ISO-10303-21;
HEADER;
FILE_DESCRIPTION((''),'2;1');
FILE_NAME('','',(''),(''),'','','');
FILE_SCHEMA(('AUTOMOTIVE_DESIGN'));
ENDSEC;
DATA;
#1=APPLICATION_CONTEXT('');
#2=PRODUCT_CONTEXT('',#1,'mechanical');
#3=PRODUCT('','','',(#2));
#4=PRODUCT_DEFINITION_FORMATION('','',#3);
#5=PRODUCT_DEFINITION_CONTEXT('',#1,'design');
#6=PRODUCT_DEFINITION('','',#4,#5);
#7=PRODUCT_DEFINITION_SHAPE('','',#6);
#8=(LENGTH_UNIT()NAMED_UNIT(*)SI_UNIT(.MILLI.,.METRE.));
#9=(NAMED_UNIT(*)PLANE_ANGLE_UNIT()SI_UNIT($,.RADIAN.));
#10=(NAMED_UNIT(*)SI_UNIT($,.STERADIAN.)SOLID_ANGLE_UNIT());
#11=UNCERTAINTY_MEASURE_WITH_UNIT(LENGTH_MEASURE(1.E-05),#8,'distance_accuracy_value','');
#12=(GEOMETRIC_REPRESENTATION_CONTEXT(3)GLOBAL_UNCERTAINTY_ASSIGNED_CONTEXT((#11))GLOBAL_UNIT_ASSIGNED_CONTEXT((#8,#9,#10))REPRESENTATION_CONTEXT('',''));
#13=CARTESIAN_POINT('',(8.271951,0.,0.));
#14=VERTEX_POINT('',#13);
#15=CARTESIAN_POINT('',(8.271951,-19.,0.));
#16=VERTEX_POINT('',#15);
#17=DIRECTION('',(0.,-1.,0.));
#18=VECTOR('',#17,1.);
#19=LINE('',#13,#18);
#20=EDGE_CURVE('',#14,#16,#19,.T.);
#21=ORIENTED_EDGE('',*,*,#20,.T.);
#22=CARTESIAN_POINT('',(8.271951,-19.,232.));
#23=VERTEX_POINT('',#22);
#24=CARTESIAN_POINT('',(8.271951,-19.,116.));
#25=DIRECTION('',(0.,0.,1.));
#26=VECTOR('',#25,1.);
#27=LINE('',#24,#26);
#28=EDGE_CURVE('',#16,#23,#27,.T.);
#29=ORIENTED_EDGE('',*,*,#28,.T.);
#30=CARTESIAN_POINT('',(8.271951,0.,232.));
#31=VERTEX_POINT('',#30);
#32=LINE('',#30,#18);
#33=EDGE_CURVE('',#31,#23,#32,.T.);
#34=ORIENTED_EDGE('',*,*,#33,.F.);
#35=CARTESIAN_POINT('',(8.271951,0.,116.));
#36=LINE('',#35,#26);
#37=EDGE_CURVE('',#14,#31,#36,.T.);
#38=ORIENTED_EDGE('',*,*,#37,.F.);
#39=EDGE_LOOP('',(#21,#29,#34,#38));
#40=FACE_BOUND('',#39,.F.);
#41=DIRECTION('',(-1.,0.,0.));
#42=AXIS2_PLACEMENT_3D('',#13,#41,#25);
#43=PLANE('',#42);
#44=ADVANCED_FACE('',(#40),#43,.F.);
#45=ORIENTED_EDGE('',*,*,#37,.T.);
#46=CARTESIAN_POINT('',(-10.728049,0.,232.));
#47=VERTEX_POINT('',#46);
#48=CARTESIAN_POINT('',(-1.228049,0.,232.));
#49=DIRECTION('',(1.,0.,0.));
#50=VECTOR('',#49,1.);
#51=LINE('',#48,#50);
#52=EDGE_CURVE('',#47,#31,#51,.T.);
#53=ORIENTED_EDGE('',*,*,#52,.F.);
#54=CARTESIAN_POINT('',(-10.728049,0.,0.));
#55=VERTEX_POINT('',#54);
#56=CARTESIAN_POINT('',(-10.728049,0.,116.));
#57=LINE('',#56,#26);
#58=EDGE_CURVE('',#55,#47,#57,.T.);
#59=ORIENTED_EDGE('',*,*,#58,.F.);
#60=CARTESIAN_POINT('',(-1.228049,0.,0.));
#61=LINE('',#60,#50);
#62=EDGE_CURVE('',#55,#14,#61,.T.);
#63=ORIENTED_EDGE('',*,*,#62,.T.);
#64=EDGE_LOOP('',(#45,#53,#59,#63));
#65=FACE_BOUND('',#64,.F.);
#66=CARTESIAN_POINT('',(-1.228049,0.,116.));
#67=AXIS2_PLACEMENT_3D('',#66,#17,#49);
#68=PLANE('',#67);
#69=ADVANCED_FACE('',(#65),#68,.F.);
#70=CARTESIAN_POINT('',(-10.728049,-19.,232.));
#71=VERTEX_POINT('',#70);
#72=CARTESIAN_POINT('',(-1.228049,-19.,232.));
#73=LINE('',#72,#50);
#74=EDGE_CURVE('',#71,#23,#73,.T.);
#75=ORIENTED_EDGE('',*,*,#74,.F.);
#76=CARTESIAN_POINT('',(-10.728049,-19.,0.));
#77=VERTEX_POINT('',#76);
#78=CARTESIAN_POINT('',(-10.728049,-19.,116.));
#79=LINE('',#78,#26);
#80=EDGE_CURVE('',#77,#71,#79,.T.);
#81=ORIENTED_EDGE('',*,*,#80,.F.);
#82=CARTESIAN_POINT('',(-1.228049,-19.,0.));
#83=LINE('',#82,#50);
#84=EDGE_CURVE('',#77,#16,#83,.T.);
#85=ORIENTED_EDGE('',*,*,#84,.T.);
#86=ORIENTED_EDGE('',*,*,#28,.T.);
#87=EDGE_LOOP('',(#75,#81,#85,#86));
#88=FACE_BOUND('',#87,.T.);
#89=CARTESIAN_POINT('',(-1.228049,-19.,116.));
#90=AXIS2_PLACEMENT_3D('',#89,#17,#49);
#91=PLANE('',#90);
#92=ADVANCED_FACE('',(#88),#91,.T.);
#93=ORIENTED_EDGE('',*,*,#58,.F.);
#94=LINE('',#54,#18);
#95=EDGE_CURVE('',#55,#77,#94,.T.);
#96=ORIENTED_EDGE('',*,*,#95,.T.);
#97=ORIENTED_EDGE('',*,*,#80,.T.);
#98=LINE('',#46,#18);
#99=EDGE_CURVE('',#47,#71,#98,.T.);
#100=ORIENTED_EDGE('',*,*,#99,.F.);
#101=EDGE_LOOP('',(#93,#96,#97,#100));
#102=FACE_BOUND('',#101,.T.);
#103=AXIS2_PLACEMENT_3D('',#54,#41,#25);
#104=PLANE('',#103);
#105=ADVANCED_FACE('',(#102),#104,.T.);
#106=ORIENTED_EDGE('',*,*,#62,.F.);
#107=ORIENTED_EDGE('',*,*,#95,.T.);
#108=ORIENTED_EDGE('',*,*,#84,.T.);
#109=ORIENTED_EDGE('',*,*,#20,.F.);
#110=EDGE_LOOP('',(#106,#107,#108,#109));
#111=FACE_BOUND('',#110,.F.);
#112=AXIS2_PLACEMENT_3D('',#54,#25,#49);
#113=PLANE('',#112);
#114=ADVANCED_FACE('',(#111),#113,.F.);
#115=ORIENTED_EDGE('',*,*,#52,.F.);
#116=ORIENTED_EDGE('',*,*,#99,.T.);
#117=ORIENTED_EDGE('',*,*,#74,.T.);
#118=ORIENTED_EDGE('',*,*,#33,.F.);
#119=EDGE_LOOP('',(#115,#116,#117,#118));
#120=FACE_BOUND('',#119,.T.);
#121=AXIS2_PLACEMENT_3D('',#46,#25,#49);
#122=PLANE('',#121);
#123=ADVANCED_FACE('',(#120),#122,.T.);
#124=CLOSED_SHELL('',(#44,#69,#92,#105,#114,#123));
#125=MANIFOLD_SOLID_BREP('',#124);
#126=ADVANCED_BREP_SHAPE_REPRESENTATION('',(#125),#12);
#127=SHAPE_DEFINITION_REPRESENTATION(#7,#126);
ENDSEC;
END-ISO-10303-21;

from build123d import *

# Parameters (mm, degrees)
F0_W     = 19
F0_H     = 232
F1_DEPTH = 19
F2_DEPTH = 19


with BuildPart() as f1:
    # F0 (on Front) → F1 (new body)
    with BuildSketch(Plane.XZ):
        with Locations((-1.228049, 116)):
            Rectangle(F0_W, F0_H)
    extrude(amount=F1_DEPTH)

    # F0 (on Front) → F2 (join)
    with BuildSketch(Plane.XZ):
        with Locations((-1.228049, 116)):
            Rectangle(F0_W, F0_H)
    extrude(amount=F2_DEPTH)


solid = f1.part
